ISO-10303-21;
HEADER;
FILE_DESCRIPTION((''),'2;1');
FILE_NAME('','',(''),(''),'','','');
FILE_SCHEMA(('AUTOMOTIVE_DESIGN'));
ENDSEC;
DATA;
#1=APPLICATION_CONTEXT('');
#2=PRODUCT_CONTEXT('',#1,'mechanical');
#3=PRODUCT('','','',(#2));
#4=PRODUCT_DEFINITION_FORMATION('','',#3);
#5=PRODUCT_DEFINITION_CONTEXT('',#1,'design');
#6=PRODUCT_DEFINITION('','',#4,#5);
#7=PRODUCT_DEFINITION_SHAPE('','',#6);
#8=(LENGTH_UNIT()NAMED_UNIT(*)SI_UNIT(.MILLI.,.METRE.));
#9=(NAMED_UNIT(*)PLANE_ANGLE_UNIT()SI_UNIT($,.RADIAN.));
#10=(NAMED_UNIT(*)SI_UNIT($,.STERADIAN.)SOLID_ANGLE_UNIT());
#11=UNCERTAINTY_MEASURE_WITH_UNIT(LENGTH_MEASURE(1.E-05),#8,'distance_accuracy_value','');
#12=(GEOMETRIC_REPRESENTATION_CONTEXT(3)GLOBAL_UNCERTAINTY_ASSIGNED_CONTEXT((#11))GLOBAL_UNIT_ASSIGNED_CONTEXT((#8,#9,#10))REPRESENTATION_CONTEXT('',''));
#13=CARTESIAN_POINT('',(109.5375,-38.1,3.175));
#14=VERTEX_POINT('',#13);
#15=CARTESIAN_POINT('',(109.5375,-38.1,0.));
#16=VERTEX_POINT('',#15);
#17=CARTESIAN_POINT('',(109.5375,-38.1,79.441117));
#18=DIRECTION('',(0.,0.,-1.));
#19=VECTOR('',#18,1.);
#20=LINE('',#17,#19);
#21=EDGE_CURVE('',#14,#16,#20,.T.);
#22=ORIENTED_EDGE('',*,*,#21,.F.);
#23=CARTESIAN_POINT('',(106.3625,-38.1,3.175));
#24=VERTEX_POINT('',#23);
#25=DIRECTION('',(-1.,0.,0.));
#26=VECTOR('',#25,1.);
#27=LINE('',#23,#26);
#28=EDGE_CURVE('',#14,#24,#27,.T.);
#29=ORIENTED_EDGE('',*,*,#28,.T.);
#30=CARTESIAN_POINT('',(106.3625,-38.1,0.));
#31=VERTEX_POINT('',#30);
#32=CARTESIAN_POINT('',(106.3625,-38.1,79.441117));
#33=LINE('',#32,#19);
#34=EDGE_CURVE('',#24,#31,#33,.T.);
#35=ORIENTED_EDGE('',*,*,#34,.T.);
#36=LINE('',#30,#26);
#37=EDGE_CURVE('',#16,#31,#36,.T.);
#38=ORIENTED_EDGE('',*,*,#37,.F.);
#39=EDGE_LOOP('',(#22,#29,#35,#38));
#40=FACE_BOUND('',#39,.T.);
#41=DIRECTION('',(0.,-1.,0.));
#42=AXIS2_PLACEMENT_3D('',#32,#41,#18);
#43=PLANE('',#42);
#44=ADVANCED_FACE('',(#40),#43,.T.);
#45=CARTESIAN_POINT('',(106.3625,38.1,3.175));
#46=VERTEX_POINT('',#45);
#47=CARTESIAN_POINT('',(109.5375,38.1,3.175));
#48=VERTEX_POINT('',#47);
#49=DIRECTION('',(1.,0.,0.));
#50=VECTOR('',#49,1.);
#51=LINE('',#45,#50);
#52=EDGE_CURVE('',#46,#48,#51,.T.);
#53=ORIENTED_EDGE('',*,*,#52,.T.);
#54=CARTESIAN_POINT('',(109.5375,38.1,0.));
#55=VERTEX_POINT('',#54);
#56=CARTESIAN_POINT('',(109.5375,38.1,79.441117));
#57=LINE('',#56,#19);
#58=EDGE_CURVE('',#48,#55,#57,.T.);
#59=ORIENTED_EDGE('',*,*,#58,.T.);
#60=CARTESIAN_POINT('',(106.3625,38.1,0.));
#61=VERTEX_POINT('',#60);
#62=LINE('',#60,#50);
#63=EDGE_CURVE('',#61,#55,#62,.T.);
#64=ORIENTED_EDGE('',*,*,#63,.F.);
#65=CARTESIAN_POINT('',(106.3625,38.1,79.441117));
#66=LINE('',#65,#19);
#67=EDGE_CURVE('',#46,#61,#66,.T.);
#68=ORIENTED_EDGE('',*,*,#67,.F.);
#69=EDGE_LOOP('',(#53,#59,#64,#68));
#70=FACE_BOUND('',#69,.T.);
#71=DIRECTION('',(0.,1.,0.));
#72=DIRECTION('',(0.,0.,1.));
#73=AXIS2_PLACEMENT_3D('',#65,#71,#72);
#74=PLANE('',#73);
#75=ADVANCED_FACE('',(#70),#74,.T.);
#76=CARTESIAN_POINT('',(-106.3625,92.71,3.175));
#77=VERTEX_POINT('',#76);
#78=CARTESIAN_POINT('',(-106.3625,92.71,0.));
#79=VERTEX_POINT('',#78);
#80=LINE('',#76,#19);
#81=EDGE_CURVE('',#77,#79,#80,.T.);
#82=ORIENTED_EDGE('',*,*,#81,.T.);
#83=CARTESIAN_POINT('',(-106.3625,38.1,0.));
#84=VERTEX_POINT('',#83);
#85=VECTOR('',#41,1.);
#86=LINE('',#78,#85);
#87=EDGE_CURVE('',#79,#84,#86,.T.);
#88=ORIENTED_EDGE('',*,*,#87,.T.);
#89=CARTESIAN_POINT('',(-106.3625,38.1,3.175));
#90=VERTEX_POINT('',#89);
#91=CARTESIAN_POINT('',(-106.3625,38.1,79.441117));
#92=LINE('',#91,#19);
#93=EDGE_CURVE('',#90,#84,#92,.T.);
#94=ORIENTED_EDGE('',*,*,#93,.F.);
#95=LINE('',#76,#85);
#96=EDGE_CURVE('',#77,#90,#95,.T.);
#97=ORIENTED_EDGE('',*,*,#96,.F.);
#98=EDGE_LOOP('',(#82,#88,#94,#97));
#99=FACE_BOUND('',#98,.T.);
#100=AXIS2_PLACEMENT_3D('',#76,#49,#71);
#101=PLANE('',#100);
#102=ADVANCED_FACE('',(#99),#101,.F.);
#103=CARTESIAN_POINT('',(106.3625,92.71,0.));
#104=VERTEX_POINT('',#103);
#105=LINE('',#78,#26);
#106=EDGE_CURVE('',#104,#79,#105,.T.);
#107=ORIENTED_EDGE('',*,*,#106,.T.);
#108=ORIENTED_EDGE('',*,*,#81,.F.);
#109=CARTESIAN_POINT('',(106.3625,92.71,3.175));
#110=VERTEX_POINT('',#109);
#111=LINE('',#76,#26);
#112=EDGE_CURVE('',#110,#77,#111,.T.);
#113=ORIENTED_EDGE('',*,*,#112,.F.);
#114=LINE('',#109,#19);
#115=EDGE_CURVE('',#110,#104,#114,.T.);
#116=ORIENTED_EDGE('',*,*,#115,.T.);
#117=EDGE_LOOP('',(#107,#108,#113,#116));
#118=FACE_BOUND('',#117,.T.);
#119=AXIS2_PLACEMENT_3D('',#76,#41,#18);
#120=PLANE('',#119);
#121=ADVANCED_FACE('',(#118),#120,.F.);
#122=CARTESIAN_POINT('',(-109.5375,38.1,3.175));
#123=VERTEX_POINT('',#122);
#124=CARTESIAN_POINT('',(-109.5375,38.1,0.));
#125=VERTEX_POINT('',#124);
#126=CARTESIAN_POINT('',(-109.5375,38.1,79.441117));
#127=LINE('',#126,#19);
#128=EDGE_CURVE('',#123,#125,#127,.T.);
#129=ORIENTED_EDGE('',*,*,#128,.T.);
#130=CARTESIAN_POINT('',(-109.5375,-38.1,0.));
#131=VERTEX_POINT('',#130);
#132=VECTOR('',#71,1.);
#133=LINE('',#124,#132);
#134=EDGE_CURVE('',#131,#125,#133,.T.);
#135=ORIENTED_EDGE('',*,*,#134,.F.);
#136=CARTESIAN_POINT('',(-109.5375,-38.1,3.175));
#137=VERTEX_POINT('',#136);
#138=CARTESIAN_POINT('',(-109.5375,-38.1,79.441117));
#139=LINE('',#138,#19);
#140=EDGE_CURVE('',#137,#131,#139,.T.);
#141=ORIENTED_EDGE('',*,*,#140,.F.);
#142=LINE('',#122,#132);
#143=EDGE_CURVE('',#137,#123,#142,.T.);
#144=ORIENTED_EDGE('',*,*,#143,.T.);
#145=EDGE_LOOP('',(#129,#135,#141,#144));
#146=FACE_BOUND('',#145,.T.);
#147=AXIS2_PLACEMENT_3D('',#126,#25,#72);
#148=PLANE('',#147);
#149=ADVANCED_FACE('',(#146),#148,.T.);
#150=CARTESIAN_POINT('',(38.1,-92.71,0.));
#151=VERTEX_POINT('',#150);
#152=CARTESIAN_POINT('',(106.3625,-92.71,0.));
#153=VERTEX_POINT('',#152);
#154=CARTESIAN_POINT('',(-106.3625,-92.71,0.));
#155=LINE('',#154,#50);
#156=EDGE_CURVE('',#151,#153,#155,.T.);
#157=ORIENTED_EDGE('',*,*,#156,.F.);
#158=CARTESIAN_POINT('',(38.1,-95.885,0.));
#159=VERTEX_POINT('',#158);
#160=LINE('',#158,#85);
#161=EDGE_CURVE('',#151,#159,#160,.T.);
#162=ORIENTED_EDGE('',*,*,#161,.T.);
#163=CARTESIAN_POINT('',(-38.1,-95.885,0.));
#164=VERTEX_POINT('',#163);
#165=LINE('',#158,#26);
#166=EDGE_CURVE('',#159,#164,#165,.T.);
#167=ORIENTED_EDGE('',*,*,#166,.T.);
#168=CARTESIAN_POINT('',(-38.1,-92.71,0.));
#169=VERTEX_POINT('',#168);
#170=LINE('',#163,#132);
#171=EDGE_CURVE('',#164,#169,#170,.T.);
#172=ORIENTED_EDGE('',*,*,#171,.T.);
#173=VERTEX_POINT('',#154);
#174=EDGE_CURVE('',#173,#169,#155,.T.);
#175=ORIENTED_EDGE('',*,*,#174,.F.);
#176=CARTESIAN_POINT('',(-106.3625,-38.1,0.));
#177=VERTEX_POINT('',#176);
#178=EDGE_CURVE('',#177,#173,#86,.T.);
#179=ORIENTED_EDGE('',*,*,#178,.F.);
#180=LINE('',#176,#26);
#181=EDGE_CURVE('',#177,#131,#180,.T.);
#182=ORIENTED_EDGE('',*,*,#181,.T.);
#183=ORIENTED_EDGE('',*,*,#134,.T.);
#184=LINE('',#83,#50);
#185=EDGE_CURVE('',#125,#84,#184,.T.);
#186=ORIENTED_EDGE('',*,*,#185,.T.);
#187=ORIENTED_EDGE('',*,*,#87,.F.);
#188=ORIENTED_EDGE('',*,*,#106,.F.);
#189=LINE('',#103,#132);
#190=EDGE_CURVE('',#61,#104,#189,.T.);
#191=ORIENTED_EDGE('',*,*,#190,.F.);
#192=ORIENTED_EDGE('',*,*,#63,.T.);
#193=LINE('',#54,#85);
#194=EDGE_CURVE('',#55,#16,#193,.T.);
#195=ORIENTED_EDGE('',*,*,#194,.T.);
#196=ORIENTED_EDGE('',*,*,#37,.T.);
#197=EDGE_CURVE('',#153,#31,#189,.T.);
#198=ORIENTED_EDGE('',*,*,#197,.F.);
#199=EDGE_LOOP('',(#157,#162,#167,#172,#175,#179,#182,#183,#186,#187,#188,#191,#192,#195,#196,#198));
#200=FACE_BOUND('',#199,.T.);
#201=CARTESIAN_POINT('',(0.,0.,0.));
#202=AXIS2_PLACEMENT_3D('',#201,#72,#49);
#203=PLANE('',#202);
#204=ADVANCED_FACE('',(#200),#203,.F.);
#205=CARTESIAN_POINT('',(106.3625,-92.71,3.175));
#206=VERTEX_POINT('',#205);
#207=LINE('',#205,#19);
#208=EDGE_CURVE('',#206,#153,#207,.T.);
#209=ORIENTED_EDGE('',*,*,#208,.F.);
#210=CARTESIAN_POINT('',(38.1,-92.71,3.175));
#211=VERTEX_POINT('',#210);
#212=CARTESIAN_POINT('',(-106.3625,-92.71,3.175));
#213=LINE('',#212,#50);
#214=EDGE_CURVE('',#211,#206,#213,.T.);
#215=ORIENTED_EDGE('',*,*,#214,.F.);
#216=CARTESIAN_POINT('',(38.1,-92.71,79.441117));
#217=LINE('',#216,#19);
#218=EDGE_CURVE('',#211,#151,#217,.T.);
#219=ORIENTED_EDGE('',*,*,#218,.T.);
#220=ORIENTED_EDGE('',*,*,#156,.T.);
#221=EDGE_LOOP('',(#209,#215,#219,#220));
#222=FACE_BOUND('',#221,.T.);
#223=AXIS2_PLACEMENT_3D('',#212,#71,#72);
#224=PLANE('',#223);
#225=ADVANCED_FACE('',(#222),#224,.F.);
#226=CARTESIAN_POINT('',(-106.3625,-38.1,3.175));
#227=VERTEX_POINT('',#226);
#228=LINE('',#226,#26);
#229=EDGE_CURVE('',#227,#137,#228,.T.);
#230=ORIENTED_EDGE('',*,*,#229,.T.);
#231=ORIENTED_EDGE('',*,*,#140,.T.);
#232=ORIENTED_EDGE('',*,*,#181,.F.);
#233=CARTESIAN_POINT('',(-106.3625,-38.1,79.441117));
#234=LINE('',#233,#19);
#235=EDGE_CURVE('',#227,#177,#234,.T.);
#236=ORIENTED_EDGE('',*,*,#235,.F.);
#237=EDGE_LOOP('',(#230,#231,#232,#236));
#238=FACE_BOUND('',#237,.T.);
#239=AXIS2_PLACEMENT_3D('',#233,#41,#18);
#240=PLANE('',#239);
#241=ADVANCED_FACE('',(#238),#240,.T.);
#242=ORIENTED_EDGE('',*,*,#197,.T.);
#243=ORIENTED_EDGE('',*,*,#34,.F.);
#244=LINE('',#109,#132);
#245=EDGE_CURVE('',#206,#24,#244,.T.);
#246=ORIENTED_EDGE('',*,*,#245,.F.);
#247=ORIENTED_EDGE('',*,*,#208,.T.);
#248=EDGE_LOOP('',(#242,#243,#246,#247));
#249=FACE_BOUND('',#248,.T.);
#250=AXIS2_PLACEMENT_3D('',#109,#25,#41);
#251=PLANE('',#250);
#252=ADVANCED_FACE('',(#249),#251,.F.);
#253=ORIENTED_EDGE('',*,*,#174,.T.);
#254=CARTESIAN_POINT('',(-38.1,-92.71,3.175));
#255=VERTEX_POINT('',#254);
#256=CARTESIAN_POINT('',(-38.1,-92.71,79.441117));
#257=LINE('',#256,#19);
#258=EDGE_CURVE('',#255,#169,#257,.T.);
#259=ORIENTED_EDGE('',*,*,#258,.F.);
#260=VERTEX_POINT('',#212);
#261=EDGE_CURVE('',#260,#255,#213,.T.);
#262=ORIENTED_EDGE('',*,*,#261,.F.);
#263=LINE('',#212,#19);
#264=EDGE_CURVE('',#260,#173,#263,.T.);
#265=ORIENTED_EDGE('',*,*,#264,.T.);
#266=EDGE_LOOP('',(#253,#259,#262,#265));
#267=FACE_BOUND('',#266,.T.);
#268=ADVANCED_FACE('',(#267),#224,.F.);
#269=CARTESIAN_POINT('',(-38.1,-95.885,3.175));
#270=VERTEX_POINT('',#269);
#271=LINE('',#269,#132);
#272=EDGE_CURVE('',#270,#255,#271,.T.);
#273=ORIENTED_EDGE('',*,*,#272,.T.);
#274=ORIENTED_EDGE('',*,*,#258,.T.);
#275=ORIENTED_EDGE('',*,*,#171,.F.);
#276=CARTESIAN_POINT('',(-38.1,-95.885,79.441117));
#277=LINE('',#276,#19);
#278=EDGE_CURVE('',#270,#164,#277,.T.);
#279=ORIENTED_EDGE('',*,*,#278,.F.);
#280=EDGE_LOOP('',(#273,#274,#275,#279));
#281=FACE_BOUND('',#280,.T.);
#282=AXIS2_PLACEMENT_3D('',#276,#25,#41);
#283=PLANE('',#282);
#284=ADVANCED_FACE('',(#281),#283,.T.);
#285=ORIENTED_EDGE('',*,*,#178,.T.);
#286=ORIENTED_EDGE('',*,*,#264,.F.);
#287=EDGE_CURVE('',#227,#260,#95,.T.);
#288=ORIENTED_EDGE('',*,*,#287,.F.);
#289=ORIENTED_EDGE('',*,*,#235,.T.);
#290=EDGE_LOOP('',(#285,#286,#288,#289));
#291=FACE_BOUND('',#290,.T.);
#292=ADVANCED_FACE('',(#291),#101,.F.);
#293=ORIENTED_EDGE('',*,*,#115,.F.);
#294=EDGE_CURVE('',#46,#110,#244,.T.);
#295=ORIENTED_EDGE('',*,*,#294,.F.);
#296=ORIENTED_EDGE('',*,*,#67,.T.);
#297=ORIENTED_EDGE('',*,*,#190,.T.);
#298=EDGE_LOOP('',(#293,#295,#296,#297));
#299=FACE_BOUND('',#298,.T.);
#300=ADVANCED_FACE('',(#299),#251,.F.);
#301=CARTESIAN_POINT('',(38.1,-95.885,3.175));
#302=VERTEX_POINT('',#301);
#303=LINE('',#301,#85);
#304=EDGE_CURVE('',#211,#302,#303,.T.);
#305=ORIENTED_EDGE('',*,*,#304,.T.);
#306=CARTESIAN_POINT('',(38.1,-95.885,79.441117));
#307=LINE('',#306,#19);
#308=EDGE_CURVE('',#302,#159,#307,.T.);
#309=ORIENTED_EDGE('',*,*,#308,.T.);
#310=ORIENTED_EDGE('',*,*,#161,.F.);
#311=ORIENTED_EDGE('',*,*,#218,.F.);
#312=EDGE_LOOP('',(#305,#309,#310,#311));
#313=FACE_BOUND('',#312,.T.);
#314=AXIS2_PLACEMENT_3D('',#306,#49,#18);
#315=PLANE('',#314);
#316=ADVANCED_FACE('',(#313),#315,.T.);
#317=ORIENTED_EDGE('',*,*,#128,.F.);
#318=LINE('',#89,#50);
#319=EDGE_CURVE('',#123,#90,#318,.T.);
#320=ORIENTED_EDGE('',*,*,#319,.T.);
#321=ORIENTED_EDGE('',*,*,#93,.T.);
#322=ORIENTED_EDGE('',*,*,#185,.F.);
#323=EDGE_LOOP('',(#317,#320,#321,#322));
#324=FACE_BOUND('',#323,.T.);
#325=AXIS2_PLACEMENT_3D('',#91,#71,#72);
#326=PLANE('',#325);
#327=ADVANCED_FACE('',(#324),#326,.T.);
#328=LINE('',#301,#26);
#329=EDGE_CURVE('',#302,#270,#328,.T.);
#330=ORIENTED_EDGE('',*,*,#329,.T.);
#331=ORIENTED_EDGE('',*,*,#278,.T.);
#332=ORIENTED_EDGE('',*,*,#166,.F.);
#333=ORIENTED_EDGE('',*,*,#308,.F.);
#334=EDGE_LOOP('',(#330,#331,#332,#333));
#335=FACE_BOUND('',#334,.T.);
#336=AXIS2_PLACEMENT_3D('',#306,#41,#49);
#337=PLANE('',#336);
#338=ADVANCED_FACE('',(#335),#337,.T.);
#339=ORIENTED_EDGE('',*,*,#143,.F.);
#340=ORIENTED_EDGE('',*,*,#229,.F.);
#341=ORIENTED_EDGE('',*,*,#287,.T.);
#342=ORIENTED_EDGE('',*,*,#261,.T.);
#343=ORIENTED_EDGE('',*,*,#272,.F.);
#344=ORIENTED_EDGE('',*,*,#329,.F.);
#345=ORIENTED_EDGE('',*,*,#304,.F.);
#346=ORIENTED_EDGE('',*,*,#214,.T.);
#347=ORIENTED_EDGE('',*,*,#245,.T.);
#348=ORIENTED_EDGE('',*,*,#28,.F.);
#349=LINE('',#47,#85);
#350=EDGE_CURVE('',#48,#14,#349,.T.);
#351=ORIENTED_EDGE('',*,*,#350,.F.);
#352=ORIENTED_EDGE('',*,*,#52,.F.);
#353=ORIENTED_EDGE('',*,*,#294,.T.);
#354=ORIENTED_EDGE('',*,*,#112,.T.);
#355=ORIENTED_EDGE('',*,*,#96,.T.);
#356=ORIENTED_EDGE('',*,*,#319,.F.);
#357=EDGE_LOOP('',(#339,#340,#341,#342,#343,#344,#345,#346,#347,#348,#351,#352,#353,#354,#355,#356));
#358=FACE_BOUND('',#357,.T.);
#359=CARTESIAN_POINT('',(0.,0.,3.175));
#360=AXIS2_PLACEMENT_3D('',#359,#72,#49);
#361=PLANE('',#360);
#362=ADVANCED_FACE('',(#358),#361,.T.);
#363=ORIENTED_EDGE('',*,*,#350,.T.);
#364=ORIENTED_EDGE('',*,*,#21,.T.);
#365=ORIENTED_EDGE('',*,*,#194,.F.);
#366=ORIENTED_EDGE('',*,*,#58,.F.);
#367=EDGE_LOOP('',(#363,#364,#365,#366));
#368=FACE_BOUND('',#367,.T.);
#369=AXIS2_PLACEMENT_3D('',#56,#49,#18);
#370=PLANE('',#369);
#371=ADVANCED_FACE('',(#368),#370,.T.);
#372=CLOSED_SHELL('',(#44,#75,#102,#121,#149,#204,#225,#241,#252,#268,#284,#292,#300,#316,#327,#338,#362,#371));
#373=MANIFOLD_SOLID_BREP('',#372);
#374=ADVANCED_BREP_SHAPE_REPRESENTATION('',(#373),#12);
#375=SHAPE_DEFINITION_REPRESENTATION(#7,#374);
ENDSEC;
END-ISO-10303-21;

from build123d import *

# Parameters (mm, degrees)
SKETCH1_W           = 212.725
SKETCH1_H           = 185.42
BOSS_EXTRUDE1_DEPTH = 3.175
SKETCH5_W           = 3.175
SKETCH5_H           = 76.2
BOSS_EXTRUDE2_DEPTH = 3.175
SKETCH6_W           = 76.2
SKETCH6_H           = 3.175
BOSS_EXTRUDE3_DEPTH = 3.175


with BuildPart() as part:
    # Sketch1 → Boss-Extrude1 (new body)
    with BuildSketch(Plane.XY):
        Rectangle(SKETCH1_W, SKETCH1_H)
    extrude(amount=BOSS_EXTRUDE1_DEPTH)

    # Sketch5 → Boss-Extrude2 (add)
    with BuildSketch(Plane(origin=(0, 0, 0), x_dir=(-1, 0, 0), z_dir=(0, 0, -1))):
        with Locations((-107.95, 0)):
            Rectangle(SKETCH5_W, SKETCH5_H)
        with Locations((107.95, 0)):
            Rectangle(SKETCH5_W, SKETCH5_H)
    extrude(amount=-BOSS_EXTRUDE2_DEPTH)

    # Sketch6 → Boss-Extrude3 (add)
    with BuildSketch(Plane(origin=(0, 0, 0), x_dir=(-1, 0, 0), z_dir=(0, 0, -1))):
        with Locations((0, -94.2975)):
            Rectangle(SKETCH6_W, SKETCH6_H)
    extrude(amount=-BOSS_EXTRUDE3_DEPTH)


solid = part.part
